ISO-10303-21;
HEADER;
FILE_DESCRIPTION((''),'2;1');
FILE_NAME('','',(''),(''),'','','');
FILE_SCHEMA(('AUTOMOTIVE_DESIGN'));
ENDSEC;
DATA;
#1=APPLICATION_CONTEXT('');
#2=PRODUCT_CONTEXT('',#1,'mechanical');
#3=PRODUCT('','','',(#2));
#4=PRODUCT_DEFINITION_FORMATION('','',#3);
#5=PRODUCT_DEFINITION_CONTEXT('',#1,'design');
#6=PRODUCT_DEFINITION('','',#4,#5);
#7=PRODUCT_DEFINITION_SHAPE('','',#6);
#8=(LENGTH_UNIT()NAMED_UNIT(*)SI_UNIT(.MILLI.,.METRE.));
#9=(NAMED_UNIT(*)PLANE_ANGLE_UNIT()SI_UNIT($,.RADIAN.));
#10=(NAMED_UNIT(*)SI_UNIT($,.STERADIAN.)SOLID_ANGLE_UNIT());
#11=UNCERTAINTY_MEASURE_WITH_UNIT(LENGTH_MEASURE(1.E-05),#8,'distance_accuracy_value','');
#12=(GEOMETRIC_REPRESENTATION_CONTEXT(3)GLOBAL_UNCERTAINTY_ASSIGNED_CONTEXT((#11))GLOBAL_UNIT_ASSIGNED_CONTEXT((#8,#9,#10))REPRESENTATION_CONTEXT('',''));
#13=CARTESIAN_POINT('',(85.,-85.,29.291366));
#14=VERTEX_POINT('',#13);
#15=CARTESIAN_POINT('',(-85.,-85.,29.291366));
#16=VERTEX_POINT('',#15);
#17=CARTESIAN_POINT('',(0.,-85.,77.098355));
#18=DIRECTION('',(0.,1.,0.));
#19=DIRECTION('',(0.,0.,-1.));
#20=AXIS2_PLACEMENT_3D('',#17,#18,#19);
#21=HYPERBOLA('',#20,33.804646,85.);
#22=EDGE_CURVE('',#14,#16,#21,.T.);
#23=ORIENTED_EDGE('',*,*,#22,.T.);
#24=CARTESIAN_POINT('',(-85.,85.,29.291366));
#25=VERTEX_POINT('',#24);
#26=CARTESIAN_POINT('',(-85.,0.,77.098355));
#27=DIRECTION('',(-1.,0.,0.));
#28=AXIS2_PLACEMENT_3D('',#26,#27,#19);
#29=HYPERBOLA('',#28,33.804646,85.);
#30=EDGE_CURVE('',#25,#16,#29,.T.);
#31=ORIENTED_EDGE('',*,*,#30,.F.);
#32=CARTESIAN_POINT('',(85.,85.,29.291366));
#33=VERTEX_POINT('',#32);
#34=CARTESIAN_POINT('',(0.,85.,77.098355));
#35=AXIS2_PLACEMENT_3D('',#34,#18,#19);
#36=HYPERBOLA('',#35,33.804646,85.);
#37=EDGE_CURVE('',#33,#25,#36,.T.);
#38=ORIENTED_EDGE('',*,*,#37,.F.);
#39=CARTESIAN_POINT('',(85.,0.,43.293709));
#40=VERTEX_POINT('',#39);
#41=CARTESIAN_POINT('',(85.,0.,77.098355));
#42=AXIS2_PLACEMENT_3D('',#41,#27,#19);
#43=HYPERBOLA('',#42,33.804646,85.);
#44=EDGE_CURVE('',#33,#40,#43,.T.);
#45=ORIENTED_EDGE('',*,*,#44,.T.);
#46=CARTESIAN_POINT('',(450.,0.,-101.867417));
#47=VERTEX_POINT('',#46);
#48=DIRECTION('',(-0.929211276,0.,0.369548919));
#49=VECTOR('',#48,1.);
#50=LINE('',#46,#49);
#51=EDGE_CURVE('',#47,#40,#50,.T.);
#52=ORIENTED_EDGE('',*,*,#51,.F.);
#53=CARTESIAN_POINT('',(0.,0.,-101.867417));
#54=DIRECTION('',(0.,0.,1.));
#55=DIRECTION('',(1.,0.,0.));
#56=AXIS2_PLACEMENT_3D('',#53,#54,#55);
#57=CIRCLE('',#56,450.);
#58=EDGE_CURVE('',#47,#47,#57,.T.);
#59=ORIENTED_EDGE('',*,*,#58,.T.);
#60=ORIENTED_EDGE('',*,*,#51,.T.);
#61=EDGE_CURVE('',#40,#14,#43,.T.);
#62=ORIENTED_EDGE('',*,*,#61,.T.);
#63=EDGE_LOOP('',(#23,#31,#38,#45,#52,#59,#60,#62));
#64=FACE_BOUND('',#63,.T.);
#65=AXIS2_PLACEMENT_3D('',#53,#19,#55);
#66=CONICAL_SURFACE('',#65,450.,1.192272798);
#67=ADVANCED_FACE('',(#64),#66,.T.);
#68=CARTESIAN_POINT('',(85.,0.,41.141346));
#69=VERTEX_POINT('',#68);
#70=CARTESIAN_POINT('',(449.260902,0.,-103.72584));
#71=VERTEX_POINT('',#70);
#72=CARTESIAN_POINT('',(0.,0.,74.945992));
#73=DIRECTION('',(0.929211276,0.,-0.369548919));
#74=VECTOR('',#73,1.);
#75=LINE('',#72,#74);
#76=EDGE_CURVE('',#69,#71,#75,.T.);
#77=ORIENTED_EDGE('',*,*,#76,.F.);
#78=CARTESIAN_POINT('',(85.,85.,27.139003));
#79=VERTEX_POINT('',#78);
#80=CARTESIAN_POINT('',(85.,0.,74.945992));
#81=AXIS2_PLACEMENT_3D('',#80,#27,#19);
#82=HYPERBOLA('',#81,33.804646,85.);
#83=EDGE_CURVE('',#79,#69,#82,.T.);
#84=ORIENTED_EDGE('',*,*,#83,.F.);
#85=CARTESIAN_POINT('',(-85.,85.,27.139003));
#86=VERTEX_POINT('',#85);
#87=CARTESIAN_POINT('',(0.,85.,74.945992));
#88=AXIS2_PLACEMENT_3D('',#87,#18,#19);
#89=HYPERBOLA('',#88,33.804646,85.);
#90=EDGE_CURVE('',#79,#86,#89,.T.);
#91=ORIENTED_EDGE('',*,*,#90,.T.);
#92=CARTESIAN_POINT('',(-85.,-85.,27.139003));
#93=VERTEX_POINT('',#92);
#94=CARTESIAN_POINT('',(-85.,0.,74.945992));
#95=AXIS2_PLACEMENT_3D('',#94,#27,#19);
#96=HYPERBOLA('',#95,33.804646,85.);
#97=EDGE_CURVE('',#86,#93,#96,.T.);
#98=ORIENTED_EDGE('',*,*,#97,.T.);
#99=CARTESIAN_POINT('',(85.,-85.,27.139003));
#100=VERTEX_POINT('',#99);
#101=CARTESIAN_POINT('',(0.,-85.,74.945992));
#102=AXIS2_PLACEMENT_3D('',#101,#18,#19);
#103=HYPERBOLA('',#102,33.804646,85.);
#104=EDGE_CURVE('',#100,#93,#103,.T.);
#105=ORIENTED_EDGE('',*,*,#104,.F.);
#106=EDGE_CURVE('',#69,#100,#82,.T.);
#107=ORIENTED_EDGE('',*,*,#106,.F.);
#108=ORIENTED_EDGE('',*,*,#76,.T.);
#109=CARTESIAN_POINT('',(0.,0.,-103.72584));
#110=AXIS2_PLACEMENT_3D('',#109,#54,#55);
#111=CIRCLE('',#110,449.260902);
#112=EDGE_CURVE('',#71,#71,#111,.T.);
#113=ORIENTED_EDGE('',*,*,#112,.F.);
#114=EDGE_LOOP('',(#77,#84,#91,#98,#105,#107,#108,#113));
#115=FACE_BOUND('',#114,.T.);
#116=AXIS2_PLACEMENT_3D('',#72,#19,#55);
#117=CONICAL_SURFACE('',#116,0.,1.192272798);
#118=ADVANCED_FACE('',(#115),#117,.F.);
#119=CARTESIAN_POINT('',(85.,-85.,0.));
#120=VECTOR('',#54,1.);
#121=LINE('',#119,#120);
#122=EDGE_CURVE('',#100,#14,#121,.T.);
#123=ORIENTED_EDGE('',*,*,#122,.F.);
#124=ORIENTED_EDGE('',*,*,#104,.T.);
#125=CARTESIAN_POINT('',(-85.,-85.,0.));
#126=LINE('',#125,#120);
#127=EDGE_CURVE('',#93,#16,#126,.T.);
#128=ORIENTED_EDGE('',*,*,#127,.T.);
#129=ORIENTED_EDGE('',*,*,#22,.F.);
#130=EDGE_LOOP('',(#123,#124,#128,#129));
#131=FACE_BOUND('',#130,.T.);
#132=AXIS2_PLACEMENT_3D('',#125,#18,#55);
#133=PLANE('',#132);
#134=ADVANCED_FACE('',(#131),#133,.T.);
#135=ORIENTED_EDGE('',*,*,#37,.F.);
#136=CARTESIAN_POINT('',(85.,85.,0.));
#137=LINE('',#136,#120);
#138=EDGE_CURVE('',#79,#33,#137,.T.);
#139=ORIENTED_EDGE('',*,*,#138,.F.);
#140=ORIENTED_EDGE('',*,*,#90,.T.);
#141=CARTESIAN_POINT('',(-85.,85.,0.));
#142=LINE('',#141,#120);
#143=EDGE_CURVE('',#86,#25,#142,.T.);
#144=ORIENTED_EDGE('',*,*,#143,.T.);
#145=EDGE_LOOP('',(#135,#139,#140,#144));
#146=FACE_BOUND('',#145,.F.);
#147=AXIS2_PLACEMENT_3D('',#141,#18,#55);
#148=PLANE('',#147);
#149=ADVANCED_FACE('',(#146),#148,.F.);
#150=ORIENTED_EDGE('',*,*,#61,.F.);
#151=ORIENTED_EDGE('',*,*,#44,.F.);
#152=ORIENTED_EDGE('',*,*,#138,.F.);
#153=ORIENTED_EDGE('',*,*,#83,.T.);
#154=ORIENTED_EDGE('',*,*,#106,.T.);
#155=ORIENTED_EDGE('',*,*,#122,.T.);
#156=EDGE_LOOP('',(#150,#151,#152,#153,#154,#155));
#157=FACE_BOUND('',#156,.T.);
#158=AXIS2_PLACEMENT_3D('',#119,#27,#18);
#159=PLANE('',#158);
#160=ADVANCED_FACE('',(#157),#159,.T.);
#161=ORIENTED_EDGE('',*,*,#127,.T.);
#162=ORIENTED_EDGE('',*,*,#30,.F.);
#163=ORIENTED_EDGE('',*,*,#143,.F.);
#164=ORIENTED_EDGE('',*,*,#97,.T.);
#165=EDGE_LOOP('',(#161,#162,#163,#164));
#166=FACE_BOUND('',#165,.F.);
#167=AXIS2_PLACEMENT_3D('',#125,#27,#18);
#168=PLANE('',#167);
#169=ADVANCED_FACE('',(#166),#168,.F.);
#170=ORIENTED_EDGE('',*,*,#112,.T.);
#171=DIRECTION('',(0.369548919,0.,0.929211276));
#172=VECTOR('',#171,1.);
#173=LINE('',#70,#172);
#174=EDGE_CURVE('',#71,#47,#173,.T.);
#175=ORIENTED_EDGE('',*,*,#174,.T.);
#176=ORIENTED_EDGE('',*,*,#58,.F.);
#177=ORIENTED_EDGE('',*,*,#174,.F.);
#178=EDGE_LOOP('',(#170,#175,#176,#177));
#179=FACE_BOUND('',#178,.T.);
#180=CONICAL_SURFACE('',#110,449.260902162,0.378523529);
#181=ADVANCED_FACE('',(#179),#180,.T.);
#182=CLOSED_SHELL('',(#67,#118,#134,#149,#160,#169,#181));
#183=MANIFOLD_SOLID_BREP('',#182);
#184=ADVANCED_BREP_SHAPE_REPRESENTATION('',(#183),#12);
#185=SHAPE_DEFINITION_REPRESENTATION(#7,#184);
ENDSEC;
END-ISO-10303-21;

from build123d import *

# Parameters (mm, degrees)
F2_W     = 170
F2_H     = 170
F3_DEPTH = 78.0983546972


with BuildPart() as f1:
    # F0 (on Front) → F1 (revolve)
    with BuildSketch(Plane.XZ):
        Polygon((450, -101.8674174799), (0, 77.0983546972), (0, 74.9459916657), (449.2609021617, -103.7258400329), align=None)
    revolve(axis=Axis((0, 0, 57.0620037615), (0, 0, 1)))

    # F2 (on Top) → F3 (cut, up to face)
    with BuildSketch(Plane.XY):
        Rectangle(F2_W, F2_H)
    extrude(amount=F3_DEPTH, mode=Mode.SUBTRACT)


solid = f1.part
